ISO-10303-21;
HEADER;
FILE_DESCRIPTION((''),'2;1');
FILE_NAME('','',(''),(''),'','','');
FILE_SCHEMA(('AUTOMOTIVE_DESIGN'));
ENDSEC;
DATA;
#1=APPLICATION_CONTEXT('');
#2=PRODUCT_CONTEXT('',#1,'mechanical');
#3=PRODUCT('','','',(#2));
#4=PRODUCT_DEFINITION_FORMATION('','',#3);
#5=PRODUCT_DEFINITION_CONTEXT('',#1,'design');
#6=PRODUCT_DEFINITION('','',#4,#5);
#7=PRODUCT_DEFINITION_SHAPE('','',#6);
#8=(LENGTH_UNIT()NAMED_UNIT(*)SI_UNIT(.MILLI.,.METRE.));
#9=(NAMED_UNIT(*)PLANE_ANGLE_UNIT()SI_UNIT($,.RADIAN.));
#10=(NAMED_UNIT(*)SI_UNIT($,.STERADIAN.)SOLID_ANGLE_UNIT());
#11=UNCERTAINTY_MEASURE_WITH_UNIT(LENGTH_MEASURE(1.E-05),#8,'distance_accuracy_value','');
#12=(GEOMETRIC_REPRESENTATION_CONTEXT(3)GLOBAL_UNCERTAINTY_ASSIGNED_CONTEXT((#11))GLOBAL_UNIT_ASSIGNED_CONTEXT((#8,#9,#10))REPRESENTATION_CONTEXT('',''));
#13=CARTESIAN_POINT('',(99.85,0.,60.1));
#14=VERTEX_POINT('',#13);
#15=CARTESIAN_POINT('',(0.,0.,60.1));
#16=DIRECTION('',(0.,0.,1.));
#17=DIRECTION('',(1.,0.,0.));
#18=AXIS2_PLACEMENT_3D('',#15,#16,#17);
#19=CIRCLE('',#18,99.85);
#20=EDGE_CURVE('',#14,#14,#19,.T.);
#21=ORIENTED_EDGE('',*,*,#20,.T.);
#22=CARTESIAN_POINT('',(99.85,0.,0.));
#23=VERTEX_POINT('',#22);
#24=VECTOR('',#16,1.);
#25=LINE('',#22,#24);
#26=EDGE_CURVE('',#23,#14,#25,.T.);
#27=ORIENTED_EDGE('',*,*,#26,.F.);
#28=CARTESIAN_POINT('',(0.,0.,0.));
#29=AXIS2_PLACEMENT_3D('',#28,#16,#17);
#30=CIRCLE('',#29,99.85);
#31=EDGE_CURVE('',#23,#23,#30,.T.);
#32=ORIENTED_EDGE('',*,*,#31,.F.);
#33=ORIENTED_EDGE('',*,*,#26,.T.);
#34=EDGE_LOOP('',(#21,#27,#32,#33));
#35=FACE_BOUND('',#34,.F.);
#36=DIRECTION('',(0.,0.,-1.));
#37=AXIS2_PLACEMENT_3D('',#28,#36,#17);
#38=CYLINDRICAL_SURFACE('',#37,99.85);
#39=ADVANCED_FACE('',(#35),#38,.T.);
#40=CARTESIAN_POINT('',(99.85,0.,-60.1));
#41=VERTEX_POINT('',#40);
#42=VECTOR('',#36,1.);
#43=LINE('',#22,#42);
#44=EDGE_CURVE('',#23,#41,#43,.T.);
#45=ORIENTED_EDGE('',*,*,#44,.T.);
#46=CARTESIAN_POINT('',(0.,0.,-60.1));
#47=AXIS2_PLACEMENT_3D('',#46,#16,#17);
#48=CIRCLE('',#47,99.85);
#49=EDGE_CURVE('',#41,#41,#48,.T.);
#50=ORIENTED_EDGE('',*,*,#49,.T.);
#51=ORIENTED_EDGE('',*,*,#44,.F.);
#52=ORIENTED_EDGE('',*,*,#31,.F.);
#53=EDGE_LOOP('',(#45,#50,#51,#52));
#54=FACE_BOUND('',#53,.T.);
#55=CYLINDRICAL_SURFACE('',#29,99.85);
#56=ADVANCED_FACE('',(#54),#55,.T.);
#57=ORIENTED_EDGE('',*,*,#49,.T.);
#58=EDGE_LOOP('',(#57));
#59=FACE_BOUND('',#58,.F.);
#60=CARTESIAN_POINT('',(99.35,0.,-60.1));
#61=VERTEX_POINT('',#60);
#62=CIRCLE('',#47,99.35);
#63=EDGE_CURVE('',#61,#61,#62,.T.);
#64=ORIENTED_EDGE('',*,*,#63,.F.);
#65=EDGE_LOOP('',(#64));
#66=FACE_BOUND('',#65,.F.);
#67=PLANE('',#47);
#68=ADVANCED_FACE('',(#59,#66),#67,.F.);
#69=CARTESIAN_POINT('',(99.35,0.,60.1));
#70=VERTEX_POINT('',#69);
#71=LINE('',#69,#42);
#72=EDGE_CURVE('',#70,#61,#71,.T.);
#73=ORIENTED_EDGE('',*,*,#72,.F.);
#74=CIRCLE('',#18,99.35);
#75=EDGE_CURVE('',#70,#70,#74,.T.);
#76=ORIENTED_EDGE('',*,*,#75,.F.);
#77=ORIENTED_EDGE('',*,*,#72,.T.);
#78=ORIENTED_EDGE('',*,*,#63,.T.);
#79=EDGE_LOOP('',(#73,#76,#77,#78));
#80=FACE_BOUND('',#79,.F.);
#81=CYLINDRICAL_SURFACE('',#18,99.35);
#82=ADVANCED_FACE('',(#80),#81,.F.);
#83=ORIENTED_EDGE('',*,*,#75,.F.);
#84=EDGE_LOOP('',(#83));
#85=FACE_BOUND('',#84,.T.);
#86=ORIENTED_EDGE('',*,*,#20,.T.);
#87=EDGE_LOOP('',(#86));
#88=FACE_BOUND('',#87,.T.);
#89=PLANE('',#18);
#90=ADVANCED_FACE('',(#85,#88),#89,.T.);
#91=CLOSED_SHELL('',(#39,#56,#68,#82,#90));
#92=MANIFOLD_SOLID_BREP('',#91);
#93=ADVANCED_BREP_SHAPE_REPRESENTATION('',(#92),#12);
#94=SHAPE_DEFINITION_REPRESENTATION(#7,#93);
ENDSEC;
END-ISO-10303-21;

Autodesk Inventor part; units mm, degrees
ref_plane "YZ Plane" through (0, 0, 0) normal (1, 0, 0) x (0, 1, 0)
ref_plane "XZ Plane" through (0, 0, 0) normal (0, 1, 0) x (-1, 0, 0)
ref_plane "XY Plane" through (0, 0, 0) normal (0, 0, 1) x (1, 0, 0)
sketch "Sketch1" plane through (0, 0, 0) normal (0, 0, 1) x (1, 0, 0)
  circle A0 centre (0, 0) radius 99.85
  dimension "d0" = 199.7
extrude "Extrusion1" add sketch "Sketch1" along normal mid plane 120.2
sketch "Sketch2" plane through (0, 0, 60.1) normal (0, 0, 1) x (1, 0, 0)
  circle A0 centre (0, 0) radius 99.35
  dimension "d3" = 198.7
extrude "Extrusion2" cut sketch "Sketch2" against normal through all
properties part number "ALPHA-II-CT_3"
